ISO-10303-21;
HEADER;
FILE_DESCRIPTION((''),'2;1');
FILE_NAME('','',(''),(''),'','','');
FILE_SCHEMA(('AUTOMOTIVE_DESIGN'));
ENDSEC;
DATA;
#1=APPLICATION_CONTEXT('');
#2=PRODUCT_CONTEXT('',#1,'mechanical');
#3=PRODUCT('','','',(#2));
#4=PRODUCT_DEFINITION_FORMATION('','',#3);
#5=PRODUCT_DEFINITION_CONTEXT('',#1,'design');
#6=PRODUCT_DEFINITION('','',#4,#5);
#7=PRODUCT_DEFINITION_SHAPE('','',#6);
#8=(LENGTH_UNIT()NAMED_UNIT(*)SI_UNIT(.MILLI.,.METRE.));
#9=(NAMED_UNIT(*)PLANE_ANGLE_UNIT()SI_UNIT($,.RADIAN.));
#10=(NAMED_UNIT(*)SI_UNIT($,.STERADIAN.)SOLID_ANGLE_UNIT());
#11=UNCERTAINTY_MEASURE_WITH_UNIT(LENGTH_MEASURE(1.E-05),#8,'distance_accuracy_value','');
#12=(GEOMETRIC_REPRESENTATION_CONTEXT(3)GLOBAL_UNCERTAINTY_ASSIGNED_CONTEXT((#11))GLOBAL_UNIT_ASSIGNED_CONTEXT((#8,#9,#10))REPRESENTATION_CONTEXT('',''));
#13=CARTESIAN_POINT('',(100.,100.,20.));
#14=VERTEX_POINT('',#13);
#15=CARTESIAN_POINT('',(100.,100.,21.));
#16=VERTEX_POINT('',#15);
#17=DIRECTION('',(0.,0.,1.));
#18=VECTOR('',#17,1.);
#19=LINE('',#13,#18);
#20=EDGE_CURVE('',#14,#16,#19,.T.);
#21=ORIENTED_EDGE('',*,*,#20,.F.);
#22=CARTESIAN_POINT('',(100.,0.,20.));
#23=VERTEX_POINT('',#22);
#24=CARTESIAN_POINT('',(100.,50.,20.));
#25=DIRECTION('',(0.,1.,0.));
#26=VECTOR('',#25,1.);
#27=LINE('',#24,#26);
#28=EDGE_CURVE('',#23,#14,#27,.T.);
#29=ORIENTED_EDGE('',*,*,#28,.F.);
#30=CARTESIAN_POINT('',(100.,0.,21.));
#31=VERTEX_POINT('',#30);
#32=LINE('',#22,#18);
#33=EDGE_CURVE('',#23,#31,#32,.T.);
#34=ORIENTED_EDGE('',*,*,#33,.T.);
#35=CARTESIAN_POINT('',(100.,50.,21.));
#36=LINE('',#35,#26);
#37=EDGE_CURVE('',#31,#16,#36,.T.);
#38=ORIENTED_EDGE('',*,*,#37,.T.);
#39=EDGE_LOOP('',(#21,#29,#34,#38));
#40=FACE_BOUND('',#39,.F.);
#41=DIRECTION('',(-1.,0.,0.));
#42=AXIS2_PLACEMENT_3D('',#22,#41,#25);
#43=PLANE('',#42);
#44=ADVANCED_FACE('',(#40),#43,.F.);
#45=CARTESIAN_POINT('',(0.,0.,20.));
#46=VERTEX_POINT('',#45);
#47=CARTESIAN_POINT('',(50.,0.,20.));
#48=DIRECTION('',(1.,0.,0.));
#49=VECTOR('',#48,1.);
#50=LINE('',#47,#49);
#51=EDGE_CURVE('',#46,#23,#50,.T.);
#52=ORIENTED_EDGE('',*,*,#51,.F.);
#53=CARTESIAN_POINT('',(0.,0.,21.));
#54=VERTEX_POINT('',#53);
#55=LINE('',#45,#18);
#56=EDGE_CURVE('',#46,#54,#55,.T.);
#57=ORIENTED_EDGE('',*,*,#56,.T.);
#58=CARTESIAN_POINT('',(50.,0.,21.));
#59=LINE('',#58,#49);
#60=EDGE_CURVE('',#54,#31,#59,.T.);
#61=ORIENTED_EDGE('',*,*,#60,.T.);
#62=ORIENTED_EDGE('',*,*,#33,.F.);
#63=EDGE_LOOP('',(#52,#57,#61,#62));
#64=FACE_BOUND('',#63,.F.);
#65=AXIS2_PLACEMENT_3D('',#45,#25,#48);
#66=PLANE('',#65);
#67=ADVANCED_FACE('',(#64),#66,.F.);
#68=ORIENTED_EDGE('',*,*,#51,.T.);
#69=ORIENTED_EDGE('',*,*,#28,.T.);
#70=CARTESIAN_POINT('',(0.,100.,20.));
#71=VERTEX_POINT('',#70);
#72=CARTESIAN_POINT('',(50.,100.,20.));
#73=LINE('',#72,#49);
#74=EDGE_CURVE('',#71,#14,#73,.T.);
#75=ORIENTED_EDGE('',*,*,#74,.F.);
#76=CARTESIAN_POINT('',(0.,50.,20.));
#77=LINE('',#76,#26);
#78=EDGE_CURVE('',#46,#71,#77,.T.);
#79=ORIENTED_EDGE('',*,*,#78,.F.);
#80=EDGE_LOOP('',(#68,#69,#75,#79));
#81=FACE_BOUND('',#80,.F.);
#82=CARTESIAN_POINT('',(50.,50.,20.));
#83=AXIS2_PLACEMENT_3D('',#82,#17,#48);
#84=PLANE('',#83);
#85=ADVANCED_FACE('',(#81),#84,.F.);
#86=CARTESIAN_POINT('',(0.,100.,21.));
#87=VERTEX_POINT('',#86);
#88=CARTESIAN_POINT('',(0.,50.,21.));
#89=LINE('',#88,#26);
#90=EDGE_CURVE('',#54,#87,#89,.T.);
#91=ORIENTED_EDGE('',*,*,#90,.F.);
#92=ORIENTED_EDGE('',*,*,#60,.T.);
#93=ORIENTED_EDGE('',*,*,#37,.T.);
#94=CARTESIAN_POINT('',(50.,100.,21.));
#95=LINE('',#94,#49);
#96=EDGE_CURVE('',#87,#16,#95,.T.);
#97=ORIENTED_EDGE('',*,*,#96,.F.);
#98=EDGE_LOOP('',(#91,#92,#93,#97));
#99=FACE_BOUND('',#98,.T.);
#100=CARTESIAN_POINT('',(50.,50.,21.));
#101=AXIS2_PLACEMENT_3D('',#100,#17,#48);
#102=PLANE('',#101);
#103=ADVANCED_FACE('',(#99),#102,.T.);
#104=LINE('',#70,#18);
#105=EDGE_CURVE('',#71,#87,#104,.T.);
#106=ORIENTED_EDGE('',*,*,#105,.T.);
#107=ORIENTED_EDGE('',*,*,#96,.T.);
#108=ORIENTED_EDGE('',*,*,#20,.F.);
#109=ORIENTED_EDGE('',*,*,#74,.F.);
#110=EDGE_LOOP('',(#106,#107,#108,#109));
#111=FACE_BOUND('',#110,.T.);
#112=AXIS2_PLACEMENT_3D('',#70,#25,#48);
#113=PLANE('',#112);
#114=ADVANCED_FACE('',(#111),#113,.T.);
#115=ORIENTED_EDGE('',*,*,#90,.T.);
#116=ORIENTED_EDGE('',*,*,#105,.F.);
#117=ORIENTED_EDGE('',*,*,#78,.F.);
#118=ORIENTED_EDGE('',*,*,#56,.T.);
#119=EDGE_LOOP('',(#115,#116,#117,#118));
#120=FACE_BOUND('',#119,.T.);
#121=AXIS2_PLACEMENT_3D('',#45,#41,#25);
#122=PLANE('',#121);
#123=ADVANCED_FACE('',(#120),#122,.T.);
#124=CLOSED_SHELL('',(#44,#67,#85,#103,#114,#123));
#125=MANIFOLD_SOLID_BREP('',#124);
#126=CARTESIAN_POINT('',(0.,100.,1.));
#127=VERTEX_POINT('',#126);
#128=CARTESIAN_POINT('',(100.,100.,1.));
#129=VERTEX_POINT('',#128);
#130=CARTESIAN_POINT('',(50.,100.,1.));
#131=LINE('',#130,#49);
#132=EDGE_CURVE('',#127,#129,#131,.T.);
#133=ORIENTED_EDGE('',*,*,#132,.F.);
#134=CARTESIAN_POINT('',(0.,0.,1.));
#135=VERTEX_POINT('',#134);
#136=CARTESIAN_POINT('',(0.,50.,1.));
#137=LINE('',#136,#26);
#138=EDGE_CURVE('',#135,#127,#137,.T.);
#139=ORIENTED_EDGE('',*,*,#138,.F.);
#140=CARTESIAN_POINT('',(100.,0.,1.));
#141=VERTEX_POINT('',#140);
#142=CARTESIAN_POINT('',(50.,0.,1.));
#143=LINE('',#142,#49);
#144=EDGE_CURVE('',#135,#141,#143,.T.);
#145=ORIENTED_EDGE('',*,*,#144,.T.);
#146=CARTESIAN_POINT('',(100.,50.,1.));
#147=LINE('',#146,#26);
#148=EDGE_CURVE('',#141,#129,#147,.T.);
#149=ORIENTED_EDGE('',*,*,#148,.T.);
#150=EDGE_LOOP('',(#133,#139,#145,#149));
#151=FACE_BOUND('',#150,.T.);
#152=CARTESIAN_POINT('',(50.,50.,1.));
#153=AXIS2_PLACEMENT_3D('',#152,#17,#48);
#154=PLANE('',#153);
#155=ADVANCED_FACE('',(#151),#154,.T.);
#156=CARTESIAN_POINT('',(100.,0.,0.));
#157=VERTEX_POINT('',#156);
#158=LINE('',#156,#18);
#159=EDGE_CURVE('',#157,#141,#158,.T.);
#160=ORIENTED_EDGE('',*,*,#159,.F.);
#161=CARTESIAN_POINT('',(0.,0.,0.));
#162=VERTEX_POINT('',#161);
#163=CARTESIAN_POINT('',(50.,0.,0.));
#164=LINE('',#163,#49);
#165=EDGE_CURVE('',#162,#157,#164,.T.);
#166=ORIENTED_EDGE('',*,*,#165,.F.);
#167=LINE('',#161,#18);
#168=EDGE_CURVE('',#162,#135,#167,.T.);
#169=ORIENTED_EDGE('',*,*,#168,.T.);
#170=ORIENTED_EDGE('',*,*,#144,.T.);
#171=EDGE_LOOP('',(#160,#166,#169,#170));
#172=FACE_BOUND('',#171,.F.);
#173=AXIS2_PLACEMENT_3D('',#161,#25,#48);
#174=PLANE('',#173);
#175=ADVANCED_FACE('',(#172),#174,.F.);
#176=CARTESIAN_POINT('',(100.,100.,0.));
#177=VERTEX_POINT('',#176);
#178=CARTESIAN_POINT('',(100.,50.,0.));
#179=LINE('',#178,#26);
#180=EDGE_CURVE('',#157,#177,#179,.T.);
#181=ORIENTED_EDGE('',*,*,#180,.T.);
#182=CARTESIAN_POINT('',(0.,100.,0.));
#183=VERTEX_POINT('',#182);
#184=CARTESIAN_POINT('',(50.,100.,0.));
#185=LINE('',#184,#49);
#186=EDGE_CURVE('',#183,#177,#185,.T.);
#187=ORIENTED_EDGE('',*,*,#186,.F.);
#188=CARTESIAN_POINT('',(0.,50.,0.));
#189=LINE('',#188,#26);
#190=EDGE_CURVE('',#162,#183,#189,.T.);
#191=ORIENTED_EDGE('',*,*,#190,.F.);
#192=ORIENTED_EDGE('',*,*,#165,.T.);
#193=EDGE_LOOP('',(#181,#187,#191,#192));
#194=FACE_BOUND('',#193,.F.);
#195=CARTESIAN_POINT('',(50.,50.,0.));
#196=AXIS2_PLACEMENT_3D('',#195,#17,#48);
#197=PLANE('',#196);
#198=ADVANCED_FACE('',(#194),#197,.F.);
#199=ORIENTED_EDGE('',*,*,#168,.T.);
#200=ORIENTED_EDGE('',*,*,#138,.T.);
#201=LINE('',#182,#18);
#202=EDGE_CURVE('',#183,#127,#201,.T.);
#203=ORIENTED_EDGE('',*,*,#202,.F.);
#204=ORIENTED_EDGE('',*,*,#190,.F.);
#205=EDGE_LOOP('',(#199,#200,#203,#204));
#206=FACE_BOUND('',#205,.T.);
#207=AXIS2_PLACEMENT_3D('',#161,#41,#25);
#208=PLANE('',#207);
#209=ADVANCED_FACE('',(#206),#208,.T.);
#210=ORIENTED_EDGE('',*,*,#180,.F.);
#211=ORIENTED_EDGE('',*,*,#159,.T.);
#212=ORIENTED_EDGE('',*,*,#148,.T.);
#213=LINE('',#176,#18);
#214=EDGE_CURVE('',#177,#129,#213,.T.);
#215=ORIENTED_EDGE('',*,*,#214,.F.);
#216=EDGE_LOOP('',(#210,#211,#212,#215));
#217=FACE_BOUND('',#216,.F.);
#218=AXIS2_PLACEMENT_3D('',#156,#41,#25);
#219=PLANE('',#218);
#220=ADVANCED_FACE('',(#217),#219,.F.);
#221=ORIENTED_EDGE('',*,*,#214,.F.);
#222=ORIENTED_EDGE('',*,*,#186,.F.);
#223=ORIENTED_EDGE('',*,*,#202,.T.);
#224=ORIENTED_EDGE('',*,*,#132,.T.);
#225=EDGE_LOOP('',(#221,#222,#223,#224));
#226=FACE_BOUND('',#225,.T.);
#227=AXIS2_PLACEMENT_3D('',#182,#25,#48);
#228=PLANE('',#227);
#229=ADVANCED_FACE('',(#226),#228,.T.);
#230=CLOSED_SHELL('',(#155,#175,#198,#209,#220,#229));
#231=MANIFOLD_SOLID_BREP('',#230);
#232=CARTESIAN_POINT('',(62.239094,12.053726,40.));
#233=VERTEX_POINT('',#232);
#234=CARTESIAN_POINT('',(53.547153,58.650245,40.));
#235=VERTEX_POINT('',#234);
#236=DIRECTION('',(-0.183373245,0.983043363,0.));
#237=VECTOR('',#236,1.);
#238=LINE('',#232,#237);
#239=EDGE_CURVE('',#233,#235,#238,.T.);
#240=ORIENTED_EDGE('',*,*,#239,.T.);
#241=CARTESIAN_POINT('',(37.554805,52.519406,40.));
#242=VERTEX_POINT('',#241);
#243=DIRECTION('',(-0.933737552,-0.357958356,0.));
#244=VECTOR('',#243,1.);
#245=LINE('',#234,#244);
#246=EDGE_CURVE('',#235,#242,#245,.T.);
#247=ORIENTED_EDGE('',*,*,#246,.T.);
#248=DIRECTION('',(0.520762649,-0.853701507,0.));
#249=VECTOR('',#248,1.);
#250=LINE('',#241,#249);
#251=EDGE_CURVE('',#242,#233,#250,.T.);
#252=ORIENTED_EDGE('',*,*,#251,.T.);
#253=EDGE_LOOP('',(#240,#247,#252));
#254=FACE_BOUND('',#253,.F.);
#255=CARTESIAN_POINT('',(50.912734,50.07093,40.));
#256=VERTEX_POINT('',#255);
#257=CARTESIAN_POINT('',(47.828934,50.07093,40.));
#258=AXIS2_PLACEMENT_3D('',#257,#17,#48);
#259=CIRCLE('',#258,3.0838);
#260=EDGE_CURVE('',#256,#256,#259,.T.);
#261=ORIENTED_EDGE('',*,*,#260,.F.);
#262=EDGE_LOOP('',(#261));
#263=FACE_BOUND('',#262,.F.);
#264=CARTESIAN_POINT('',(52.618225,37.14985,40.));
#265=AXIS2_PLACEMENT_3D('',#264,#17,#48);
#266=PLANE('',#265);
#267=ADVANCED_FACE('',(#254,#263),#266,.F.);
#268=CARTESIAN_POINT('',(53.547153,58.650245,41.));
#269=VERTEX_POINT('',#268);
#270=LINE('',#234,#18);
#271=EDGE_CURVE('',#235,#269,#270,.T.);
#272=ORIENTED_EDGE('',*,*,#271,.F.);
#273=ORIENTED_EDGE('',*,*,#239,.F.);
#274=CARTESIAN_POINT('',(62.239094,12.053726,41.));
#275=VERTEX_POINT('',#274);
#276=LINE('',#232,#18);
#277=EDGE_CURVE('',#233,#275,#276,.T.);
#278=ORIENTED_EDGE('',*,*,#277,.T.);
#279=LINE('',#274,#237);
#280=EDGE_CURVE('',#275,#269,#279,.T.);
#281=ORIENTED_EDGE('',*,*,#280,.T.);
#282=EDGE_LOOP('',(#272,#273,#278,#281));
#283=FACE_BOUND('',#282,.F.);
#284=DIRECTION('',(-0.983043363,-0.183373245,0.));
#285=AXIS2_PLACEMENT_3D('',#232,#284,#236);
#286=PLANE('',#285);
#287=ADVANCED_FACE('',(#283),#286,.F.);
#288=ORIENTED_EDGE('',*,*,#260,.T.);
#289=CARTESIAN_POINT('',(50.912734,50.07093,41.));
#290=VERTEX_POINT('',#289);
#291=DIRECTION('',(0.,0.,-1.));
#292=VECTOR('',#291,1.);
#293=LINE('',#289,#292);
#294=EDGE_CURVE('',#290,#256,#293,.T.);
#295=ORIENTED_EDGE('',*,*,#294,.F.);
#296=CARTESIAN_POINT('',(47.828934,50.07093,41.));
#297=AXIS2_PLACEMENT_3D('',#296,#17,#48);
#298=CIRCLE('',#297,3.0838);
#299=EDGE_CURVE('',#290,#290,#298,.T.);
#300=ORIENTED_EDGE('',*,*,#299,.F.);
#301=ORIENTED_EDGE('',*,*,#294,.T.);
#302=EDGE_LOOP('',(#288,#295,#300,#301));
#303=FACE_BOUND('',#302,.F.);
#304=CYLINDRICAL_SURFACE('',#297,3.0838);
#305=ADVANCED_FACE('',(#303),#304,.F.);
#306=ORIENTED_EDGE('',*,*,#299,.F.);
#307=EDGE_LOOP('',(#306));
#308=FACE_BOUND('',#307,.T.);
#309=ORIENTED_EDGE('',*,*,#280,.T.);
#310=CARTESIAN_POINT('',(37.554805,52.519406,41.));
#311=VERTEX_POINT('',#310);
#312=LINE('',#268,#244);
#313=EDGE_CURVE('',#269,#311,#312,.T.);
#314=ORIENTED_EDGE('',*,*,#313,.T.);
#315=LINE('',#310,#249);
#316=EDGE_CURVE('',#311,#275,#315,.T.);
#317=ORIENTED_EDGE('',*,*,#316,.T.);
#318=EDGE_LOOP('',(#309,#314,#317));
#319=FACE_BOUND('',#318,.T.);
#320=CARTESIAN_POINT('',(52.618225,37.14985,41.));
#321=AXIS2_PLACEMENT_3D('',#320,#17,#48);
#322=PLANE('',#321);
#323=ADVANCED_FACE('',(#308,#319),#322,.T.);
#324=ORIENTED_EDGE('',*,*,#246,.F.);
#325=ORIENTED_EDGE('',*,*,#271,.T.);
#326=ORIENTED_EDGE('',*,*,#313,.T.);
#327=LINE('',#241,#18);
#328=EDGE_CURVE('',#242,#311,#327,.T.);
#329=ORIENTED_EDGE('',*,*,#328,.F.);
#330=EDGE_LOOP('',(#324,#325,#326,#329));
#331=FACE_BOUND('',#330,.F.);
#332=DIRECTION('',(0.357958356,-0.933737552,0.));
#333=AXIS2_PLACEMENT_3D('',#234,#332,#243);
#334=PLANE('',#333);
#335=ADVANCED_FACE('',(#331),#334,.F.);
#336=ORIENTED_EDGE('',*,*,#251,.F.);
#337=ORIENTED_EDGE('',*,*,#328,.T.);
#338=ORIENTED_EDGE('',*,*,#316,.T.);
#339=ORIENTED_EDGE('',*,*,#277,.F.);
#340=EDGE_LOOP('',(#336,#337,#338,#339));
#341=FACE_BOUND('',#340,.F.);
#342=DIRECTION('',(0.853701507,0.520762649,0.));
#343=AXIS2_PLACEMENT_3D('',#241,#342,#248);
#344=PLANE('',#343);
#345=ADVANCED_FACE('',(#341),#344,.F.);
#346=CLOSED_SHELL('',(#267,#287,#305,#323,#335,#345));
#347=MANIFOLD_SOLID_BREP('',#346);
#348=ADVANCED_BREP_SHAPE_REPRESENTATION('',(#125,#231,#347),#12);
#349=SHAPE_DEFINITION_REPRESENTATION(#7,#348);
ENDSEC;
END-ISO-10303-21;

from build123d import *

# Parameters (mm, degrees)
BOX_W           = 100
BOX_H           = 100
BOX_DEPTH       = 1
BOX001_W        = 100
BOX001_H        = 100
BOX001_DEPTH    = 1
PAD_DEPTH       = 1
SKETCH004_R     = 3.0838
POCKET003_DEPTH = 1


with BuildPart() as cube:
    # Box → Box (new body)
    with BuildSketch(Plane.XY):
        with Locations((50, 50)):
            Rectangle(BOX_W, BOX_H)
    extrude(amount=BOX_DEPTH)


with BuildPart() as cube001:
    # Box001 → Box001 (new body)
    with BuildSketch(Plane.XY.offset(20)):
        with Locations((50, 50)):
            Rectangle(BOX001_W, BOX001_H)
    extrude(amount=BOX001_DEPTH)


with BuildPart() as pocket003:
    # Sketch003 → Pad (new body)
    with BuildSketch(Plane.XY.offset(40)):
        Polygon((62.239094, 12.053726), (53.547153, 58.650245), (37.554805, 52.519406), align=None)
    extrude(amount=PAD_DEPTH)

    # Sketch004 → Pocket003 (cut)
    with BuildSketch(Plane.XY.offset(41)):
        with Locations((47.828934, 50.07093)):
            Circle(SKETCH004_R)
    extrude(amount=-POCKET003_DEPTH, mode=Mode.SUBTRACT)


solid = Compound([cube.part, cube001.part, pocket003.part])
